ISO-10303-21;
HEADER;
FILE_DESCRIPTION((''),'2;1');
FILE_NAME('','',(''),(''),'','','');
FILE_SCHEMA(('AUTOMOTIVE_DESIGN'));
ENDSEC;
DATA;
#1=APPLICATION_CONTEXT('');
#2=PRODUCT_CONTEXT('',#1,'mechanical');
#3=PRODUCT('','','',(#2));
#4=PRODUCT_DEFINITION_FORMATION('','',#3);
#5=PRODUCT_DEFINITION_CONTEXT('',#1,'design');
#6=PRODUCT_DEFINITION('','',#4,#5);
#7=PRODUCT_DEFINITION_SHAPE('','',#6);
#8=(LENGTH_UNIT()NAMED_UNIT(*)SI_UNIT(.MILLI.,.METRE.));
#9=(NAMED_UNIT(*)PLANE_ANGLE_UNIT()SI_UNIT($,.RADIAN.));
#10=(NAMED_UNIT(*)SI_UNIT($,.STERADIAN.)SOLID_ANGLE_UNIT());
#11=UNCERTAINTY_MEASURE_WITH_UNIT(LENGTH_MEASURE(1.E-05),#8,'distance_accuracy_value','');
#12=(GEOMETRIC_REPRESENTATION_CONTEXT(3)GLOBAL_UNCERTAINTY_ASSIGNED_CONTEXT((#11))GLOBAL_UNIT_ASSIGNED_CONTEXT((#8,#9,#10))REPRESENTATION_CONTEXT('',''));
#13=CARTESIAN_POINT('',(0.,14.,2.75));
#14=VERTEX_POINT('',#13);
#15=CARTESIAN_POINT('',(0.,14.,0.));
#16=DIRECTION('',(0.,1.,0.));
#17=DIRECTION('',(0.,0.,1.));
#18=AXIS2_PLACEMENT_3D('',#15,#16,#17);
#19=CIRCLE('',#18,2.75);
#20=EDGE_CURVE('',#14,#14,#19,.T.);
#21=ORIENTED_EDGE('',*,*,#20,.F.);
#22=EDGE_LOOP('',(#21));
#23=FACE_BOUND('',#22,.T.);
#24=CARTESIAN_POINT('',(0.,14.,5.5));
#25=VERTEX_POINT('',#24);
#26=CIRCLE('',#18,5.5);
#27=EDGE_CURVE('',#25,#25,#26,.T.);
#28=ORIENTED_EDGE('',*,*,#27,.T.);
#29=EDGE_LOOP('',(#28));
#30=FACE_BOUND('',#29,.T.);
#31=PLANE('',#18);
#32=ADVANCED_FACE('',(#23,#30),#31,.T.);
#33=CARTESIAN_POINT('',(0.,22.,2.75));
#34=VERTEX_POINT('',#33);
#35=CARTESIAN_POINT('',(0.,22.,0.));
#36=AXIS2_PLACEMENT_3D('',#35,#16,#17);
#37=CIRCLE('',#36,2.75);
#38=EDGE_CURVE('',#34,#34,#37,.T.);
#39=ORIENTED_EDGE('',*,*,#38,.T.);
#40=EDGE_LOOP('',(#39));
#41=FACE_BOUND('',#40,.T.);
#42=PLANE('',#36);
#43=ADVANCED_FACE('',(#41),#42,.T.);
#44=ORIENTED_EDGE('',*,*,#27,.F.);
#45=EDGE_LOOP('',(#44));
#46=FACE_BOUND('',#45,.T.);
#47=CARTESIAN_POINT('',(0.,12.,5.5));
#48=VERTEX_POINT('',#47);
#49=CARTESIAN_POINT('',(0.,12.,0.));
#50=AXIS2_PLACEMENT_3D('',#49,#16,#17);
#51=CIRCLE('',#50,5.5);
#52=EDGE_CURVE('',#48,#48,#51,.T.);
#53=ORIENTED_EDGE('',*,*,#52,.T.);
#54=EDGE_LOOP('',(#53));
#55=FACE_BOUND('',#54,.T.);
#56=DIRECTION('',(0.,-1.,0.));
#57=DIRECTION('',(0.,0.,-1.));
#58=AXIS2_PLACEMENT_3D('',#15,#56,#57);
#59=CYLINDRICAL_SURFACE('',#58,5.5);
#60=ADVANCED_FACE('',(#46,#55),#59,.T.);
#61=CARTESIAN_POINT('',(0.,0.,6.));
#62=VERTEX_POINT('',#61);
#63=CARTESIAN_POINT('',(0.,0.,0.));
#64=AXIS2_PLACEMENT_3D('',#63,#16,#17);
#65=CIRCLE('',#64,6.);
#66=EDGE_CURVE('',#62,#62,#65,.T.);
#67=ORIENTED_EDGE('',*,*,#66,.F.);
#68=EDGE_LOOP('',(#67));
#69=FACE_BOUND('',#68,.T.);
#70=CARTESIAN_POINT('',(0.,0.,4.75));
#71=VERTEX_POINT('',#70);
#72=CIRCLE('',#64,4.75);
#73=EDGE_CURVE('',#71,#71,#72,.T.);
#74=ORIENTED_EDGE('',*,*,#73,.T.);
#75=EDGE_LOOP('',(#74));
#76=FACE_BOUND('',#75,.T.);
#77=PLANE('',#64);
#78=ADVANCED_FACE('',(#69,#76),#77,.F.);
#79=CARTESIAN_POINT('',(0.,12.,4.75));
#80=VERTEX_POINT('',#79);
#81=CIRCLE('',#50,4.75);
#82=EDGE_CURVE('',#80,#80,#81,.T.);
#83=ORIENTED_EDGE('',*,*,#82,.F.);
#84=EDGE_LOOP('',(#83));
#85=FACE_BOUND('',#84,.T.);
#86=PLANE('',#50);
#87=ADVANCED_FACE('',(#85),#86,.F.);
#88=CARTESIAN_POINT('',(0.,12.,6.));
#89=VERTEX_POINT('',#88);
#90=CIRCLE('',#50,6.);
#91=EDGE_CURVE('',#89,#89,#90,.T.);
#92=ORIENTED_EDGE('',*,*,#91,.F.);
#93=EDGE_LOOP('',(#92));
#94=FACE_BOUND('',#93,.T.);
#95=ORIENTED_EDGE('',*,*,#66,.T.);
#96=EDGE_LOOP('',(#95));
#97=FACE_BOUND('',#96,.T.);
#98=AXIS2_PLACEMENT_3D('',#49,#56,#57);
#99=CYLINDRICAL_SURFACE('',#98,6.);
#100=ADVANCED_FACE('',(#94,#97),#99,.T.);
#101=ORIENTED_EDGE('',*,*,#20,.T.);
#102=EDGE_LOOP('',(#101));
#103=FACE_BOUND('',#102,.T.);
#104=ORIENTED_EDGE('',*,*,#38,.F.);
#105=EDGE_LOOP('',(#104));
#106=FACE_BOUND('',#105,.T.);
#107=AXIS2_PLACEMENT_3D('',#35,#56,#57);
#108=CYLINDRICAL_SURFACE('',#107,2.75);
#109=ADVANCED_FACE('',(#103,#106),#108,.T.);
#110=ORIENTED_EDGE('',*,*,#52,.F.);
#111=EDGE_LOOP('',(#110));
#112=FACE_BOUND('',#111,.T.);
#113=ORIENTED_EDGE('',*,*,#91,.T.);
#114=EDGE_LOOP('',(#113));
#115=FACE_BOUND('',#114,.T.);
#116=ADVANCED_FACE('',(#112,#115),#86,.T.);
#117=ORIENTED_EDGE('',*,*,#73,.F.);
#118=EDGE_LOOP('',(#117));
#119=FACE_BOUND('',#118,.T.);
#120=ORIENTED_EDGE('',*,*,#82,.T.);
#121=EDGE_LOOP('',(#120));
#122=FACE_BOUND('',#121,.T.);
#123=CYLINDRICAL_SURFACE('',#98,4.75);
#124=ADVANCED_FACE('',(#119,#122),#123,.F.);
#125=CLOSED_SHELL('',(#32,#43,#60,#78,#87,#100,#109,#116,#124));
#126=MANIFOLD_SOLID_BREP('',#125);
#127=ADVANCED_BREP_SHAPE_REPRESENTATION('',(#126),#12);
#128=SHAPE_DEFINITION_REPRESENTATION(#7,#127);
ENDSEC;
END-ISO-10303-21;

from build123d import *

# Parameters (mm, degrees)
SKETCH_1_R      = 6
SKETCH_1_R_2    = 4.75
EXTRUDE_1_DEPTH = 12
SKETCH_2_R      = 5.5
EXTRUDE_2_DEPTH = 2
SKETCH_3_R      = 2.75
EXTRUDE_3_DEPTH = 8


with BuildPart() as part:
    # 草图1 → 凸台-拉伸1 (new body)
    with BuildSketch(Plane(origin=(0, 0, 0), x_dir=(1, 0, 0), z_dir=(0, 1, 0))):
        with Locations(Location((0, 0, 0), (0, 0, 270))):
            Circle(SKETCH_1_R)
        with Locations(Location((0, 0, 0), (0, 0, 270))):
            Circle(SKETCH_1_R_2, mode=Mode.SUBTRACT)
    extrude(amount=EXTRUDE_1_DEPTH)

    # 草图2 → 凸台-拉伸2 (add)
    with BuildSketch(Plane(origin=(0, 12, 0), x_dir=(1, 0, 0), z_dir=(0, 1, 0))):
        with Locations(Location((0, 0, 0), (0, 0, 270))):
            Circle(SKETCH_2_R)
    extrude(amount=EXTRUDE_2_DEPTH)

    # 草图3 → 凸台-拉伸3 (add)
    with BuildSketch(Plane(origin=(0, 14, 0), x_dir=(1, 0, 0), z_dir=(0, 1, 0))):
        with Locations(Location((0, 0, 0), (0, 0, 270))):
            Circle(SKETCH_3_R)
    extrude(amount=EXTRUDE_3_DEPTH)


solid = part.part
